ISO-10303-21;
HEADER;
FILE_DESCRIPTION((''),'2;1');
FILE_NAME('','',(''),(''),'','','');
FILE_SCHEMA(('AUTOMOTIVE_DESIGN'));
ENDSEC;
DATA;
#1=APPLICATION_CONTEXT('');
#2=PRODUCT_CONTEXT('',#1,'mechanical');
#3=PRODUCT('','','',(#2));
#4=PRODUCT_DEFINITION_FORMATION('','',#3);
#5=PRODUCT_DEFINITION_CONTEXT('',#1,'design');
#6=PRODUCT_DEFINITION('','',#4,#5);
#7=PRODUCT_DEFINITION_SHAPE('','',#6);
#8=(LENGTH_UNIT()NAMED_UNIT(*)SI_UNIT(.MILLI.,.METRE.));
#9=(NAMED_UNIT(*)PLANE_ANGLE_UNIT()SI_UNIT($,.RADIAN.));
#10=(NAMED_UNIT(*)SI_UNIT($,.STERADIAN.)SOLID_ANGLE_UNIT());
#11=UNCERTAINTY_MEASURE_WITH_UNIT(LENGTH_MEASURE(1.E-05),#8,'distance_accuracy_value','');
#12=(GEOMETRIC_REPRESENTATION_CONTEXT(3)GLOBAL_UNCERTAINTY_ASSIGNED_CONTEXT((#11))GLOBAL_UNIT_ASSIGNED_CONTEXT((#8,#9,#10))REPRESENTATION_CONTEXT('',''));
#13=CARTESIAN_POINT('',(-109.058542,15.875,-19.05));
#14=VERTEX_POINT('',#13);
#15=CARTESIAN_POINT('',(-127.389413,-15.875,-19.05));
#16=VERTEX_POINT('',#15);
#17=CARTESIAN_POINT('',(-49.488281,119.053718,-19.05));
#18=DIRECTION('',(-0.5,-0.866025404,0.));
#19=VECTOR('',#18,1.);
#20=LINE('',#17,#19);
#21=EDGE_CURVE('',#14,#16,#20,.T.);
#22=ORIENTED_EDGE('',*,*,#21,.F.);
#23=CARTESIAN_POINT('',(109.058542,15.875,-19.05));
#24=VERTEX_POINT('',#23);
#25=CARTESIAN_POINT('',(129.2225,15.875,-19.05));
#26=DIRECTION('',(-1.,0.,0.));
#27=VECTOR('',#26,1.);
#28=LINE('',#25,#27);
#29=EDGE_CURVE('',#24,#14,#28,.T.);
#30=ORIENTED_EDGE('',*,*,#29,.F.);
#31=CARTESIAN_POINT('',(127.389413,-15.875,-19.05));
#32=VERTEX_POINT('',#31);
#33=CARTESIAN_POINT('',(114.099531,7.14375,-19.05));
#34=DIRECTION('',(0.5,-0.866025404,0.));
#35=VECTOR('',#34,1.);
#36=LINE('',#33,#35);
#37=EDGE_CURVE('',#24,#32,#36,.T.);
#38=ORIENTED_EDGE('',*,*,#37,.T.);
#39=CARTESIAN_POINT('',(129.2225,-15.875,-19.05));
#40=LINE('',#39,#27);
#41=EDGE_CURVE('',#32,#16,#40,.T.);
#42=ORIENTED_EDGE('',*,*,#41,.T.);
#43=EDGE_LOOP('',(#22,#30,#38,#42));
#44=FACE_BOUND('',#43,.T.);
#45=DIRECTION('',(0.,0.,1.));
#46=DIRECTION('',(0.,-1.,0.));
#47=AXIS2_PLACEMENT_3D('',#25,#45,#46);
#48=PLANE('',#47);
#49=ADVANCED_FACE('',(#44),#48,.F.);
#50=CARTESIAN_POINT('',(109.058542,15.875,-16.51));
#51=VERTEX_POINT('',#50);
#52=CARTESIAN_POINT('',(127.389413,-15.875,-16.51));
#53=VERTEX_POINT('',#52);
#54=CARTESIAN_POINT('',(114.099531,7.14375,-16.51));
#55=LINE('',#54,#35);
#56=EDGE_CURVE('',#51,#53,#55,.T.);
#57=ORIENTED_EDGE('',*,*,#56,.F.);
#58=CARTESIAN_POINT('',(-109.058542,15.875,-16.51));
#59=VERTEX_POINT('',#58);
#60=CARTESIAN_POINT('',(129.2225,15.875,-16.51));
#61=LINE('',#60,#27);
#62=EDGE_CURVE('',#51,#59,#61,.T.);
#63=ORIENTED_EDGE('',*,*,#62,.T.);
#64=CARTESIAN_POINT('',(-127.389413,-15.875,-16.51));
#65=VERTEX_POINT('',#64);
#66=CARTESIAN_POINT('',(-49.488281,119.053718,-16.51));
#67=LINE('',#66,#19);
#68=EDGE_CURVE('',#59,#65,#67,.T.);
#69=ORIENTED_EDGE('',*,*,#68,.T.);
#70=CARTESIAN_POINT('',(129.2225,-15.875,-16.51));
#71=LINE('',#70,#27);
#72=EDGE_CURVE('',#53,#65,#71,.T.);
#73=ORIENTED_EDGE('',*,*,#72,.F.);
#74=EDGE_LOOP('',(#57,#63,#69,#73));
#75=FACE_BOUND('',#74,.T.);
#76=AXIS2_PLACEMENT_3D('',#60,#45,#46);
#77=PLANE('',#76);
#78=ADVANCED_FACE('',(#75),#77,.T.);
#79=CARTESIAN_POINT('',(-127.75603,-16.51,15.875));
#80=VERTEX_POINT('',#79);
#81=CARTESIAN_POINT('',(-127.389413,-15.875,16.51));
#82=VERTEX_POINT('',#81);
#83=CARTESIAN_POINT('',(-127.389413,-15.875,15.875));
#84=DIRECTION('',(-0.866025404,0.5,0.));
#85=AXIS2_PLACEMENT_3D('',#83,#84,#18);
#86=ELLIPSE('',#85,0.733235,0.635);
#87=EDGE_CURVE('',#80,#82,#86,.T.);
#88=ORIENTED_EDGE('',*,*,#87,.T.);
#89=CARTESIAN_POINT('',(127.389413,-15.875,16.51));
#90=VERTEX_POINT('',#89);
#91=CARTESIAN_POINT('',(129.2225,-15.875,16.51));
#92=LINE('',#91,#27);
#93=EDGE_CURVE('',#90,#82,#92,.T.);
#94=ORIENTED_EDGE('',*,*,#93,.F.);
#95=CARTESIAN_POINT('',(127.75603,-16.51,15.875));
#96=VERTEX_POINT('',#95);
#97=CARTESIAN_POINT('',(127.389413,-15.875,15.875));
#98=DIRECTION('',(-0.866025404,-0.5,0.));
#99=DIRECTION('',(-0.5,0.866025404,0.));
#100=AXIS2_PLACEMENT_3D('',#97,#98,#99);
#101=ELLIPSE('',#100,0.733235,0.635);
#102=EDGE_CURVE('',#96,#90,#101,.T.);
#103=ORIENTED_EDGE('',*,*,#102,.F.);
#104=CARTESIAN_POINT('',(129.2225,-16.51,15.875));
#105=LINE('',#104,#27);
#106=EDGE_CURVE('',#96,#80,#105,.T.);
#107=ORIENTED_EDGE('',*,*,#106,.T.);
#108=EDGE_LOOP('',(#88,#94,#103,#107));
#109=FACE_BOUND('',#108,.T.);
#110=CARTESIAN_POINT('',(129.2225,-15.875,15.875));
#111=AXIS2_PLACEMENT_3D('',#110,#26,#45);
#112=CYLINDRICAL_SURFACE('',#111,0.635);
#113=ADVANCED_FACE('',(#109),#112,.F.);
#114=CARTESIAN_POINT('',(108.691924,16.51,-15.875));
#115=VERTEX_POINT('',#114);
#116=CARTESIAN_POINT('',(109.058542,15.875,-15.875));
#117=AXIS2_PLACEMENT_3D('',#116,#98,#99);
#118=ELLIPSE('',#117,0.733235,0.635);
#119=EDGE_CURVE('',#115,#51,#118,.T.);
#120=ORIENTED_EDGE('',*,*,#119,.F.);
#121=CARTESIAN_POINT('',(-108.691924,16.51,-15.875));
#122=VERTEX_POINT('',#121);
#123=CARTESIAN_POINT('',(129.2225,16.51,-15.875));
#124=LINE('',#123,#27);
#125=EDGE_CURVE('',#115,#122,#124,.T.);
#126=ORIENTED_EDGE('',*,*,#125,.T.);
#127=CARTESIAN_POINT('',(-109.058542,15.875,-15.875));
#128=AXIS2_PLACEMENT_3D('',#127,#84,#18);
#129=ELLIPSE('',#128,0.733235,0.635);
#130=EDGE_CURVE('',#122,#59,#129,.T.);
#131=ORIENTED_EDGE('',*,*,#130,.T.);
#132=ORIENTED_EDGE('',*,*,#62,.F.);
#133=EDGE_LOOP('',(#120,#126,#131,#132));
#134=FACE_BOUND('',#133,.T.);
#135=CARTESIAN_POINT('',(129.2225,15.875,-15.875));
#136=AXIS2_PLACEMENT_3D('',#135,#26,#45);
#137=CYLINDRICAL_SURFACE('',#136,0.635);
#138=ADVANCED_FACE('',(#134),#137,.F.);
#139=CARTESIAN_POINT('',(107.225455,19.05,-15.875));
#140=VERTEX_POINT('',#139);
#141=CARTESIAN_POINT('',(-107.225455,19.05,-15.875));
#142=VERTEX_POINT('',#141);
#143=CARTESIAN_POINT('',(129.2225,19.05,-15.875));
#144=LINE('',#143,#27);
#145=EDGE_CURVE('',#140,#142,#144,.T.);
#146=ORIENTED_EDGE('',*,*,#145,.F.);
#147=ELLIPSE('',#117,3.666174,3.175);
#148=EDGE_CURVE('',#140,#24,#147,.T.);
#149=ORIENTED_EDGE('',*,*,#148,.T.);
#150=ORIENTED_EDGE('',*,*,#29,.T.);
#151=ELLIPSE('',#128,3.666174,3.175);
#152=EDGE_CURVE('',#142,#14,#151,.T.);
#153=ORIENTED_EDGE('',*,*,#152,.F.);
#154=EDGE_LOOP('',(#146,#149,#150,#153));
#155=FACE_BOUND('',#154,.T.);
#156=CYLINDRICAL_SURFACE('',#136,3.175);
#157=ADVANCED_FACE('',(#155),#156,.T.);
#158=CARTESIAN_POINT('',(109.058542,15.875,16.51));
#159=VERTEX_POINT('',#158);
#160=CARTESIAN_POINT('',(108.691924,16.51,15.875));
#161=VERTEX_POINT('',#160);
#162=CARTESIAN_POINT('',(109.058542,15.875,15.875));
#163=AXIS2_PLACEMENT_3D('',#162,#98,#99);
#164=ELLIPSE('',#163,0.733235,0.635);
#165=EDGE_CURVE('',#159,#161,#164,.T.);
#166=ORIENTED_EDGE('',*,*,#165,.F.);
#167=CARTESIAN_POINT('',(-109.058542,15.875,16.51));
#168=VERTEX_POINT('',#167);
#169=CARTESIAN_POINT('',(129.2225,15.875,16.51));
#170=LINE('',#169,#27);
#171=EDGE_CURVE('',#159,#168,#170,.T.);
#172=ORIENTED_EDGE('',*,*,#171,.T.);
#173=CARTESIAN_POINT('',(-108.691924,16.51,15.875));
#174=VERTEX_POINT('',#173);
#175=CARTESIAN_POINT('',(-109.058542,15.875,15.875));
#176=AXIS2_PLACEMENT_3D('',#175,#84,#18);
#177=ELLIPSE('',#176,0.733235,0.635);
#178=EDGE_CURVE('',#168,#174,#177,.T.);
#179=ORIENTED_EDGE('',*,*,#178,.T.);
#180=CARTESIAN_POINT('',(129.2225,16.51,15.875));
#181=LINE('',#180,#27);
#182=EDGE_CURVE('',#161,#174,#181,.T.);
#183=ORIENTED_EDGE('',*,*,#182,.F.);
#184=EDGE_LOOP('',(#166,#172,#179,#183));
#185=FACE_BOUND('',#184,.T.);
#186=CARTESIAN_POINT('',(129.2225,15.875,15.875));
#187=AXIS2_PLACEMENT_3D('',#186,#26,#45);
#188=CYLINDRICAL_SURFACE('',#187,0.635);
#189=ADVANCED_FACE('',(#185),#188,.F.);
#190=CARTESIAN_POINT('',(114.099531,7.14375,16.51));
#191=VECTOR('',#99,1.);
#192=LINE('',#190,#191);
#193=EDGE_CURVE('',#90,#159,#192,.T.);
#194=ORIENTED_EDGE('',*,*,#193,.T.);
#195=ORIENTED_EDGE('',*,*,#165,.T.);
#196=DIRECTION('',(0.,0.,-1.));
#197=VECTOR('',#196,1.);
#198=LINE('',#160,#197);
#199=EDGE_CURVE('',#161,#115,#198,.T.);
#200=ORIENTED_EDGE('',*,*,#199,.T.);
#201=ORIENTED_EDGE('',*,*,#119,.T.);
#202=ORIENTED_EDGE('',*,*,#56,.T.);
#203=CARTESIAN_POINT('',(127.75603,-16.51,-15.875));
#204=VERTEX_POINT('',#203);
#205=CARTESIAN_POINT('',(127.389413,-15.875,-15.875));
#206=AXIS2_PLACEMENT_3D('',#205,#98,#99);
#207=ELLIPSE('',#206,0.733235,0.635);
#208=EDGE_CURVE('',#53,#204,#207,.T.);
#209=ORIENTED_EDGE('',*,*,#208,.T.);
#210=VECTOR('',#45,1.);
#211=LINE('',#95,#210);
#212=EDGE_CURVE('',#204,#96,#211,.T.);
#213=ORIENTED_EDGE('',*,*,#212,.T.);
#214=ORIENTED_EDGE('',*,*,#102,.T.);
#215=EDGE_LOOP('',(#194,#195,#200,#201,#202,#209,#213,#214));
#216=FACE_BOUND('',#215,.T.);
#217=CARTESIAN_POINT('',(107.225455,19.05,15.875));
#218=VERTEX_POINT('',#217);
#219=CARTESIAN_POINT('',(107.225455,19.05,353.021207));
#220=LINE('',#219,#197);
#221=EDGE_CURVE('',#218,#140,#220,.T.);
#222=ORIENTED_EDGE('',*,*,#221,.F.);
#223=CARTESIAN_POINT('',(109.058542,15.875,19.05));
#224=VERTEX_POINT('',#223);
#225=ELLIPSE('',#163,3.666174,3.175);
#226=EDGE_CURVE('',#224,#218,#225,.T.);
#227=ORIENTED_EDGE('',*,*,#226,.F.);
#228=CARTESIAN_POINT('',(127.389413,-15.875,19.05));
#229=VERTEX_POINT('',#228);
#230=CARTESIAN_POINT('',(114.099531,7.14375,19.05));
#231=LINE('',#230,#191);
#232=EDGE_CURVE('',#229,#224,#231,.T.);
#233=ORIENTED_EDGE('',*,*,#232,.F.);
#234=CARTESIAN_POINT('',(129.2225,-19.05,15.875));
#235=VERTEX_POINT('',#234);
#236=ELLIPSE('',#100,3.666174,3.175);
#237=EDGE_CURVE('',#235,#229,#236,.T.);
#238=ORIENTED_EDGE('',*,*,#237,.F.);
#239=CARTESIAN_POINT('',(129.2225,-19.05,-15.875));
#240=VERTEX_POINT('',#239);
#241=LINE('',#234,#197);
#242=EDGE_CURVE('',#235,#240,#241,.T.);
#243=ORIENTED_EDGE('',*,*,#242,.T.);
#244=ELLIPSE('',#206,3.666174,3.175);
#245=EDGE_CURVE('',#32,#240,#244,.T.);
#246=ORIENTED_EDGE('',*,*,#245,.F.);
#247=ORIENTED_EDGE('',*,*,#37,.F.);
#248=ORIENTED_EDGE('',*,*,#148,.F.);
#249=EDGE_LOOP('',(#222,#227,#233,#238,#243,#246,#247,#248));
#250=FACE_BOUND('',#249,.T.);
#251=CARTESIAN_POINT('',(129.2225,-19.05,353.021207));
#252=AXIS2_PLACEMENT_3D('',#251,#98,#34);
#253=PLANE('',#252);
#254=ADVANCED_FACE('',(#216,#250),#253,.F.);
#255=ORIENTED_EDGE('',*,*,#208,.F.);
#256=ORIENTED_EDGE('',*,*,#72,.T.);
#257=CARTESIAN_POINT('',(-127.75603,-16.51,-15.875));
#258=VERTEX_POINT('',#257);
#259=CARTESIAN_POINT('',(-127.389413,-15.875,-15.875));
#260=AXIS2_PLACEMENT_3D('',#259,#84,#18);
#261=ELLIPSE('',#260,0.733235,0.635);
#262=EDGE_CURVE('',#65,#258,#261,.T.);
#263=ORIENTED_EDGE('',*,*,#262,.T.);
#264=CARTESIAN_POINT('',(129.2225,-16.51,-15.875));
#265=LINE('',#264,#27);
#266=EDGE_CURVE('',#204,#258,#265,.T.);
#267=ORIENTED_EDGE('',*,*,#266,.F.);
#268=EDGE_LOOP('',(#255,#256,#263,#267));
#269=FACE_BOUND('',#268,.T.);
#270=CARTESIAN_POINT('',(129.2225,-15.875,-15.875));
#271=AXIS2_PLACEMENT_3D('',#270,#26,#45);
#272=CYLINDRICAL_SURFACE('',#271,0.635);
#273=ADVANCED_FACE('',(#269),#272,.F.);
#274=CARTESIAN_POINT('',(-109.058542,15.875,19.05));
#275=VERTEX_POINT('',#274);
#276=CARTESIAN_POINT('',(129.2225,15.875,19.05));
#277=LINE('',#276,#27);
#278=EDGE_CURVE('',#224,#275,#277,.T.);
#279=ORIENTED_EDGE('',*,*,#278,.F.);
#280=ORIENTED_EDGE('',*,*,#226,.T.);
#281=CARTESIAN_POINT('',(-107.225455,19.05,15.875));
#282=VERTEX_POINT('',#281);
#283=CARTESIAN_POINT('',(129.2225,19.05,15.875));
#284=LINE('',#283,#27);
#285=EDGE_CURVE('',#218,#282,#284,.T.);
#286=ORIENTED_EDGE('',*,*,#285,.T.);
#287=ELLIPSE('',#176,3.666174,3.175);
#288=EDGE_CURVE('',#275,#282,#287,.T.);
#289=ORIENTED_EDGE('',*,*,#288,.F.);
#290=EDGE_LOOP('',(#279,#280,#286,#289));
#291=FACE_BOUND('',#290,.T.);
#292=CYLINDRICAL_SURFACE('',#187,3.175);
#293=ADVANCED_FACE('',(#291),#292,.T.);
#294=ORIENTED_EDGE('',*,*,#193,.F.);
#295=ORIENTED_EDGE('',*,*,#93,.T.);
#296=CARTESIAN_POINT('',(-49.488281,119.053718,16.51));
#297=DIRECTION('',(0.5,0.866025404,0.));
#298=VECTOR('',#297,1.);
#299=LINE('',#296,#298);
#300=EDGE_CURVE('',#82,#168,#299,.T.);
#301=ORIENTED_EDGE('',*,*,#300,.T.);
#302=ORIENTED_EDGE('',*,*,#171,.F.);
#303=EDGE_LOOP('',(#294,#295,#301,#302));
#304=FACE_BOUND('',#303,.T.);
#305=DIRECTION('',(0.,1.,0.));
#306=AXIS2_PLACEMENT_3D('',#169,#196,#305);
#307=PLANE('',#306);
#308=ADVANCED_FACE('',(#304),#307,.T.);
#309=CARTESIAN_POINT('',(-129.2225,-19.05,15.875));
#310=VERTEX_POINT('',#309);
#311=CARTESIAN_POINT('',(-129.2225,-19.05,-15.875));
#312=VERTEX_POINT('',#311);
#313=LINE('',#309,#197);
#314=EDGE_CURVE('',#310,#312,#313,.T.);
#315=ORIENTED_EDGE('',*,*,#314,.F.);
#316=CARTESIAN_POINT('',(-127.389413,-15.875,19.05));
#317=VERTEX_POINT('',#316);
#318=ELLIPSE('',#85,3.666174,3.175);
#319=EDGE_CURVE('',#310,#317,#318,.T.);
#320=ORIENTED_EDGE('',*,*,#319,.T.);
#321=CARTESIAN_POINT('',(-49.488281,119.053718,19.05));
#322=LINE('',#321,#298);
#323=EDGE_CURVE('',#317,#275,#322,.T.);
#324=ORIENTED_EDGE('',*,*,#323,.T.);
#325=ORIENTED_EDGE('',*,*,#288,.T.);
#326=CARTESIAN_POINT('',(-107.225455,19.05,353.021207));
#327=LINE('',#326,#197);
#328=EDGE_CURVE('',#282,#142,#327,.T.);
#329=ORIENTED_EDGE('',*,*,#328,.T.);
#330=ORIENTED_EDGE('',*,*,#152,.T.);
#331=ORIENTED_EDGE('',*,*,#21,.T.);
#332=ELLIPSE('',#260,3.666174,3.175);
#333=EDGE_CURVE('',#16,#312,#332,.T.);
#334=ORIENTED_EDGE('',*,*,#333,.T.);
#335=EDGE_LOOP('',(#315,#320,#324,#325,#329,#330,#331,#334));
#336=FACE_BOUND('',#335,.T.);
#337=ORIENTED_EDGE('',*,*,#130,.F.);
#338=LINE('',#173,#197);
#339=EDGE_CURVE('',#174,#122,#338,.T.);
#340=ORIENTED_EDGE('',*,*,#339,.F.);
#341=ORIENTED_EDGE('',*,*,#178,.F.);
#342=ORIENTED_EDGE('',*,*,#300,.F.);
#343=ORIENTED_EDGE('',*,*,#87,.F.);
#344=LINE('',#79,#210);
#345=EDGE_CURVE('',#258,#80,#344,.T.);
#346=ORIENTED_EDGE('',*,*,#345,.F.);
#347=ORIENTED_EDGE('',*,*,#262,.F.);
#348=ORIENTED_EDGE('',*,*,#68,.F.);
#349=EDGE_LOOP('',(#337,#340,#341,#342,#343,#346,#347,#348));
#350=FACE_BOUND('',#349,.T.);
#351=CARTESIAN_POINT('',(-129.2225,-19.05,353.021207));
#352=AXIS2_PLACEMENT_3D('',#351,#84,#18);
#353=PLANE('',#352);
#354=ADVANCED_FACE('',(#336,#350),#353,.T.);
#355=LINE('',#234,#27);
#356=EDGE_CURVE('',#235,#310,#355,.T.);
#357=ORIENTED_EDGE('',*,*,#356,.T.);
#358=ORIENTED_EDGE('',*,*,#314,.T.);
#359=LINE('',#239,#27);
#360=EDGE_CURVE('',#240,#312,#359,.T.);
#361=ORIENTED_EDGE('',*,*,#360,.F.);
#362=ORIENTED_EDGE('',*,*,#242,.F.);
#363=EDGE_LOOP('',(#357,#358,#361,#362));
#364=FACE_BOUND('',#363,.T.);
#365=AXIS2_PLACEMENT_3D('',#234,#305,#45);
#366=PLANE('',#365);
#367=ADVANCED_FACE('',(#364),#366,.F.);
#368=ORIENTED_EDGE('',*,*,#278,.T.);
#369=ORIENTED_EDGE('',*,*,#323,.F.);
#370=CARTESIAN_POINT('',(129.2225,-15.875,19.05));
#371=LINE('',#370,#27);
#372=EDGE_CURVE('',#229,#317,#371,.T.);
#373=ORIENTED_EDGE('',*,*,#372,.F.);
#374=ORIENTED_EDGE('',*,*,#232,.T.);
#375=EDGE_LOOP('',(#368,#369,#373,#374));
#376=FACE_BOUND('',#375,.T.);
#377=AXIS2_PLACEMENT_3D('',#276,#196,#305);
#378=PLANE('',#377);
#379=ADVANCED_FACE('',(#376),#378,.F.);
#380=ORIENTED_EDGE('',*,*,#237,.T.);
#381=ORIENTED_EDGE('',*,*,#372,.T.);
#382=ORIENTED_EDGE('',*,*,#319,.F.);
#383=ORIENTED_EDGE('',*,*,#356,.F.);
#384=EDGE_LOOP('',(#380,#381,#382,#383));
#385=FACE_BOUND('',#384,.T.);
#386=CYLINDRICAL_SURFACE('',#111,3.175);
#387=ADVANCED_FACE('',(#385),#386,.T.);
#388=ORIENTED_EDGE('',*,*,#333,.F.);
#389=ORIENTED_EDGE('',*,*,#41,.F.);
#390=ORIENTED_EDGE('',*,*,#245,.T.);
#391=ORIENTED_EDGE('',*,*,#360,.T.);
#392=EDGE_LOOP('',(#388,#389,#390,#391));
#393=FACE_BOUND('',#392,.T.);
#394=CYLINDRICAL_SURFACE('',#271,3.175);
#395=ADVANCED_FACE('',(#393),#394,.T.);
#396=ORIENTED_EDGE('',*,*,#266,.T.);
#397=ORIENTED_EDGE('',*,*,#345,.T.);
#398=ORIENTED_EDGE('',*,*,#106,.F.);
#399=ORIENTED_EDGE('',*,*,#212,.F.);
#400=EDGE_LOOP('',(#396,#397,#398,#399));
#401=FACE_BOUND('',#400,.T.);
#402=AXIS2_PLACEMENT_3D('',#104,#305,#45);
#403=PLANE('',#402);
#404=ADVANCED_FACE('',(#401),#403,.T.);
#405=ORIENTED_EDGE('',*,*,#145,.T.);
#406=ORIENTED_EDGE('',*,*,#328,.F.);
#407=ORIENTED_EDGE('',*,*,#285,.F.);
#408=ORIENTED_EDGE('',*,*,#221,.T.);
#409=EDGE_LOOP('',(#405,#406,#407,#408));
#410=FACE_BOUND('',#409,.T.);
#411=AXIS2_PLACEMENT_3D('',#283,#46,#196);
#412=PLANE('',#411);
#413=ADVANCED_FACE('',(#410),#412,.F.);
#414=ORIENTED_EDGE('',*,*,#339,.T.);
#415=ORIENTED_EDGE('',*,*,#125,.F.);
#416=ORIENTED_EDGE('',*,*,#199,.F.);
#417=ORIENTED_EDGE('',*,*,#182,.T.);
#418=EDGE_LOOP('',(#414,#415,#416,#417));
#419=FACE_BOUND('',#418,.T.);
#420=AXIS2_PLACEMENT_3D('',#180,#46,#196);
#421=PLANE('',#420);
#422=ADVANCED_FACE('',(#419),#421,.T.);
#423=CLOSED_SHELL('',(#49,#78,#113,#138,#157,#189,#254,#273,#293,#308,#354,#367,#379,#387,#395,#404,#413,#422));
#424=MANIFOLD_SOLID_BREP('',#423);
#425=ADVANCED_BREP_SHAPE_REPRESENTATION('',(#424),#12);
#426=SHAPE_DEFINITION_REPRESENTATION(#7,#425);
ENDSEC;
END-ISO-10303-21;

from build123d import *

# Parameters (mm, degrees)
EXTRUDE_THIN1_DEPTH     = 129.2225
CUT_EXTRUDE1_DEPTH      = 1
CUT_EXTRUDE1_DEPTH_BACK = 39.1
CUT_EXTRUDE2_DEPTH      = 1
CUT_EXTRUDE2_DEPTH_BACK = 39.1


with BuildPart() as part:
    # Sketch1 → Extrude-Thin1 (new body, symmetric)
    with BuildSketch(Plane(origin=(0, 0, 0), x_dir=(0, 0, -1), z_dir=(1, 0, 0))):
        with BuildLine():
            Line((-15.875, 19.05), (15.875, 19.05))
            ThreePointArc((15.875, 19.05), (18.12006403, 18.12006403), (19.05, 15.875))
            Line((19.05, 15.875), (19.05, -15.875))
            ThreePointArc((19.05, -15.875), (18.12006403, -18.12006403), (15.875, -19.05))
            Line((15.875, -19.05), (-15.875, -19.05))
            ThreePointArc((-15.875, -19.05), (-18.12006403, -18.12006403), (-19.05, -15.875))
            Line((-19.05, -15.875), (-19.05, 15.875))
            ThreePointArc((-19.05, 15.875), (-18.12006403, 18.12006403), (-15.875, 19.05))
        make_face()
        with BuildLine():
            Line((-15.875, 16.51), (15.875, 16.51))
            ThreePointArc((15.875, 16.51), (16.324012806, 16.324012806), (16.51, 15.875))
            Line((16.51, 15.875), (16.51, -15.875))
            ThreePointArc((16.51, -15.875), (16.324012806, -16.324012806), (15.875, -16.51))
            Line((15.875, -16.51), (-15.875, -16.51))
            ThreePointArc((-15.875, -16.51), (-16.324012806, -16.324012806), (-16.51, -15.875))
            Line((-16.51, -15.875), (-16.51, 15.875))
            ThreePointArc((-16.51, 15.875), (-16.324012806, 16.324012806), (-15.875, 16.51))
        make_face(mode=Mode.SUBTRACT)
    extrude(amount=EXTRUDE_THIN1_DEPTH, both=True)

    # Sketch2 → Cut-Extrude1 (cut, two sides)
    with BuildSketch(Plane.XY.offset(19.05)) as cut_extrude1_sk:
        Polygon((-395.460759114, -480.188191704), (-129.2225, -19.05), (-107.225454744, 19.05), (159.01280437, 480.188191704), (-763.263579039, 1012.664709933), (-1317.737142523, 52.288326524), align=None)
    extrude(amount=CUT_EXTRUDE1_DEPTH, mode=Mode.SUBTRACT)
    extrude(cut_extrude1_sk.sketch, amount=-CUT_EXTRUDE1_DEPTH_BACK, mode=Mode.SUBTRACT)

    # Sketch3 → Cut-Extrude2 (cut, two sides)
    with BuildSketch(Plane.XY.offset(19.05)) as cut_extrude2_sk:
        Polygon((395.460759114, -480.188191704), (129.2225, -19.05), (107.225454744, 19.05), (-159.01280437, 480.188191704), (763.263579039, 1012.664709933), (1317.737142523, 52.288326524), align=None)
    extrude(amount=CUT_EXTRUDE2_DEPTH, mode=Mode.SUBTRACT)
    extrude(cut_extrude2_sk.sketch, amount=-CUT_EXTRUDE2_DEPTH_BACK, mode=Mode.SUBTRACT)


solid = part.part
